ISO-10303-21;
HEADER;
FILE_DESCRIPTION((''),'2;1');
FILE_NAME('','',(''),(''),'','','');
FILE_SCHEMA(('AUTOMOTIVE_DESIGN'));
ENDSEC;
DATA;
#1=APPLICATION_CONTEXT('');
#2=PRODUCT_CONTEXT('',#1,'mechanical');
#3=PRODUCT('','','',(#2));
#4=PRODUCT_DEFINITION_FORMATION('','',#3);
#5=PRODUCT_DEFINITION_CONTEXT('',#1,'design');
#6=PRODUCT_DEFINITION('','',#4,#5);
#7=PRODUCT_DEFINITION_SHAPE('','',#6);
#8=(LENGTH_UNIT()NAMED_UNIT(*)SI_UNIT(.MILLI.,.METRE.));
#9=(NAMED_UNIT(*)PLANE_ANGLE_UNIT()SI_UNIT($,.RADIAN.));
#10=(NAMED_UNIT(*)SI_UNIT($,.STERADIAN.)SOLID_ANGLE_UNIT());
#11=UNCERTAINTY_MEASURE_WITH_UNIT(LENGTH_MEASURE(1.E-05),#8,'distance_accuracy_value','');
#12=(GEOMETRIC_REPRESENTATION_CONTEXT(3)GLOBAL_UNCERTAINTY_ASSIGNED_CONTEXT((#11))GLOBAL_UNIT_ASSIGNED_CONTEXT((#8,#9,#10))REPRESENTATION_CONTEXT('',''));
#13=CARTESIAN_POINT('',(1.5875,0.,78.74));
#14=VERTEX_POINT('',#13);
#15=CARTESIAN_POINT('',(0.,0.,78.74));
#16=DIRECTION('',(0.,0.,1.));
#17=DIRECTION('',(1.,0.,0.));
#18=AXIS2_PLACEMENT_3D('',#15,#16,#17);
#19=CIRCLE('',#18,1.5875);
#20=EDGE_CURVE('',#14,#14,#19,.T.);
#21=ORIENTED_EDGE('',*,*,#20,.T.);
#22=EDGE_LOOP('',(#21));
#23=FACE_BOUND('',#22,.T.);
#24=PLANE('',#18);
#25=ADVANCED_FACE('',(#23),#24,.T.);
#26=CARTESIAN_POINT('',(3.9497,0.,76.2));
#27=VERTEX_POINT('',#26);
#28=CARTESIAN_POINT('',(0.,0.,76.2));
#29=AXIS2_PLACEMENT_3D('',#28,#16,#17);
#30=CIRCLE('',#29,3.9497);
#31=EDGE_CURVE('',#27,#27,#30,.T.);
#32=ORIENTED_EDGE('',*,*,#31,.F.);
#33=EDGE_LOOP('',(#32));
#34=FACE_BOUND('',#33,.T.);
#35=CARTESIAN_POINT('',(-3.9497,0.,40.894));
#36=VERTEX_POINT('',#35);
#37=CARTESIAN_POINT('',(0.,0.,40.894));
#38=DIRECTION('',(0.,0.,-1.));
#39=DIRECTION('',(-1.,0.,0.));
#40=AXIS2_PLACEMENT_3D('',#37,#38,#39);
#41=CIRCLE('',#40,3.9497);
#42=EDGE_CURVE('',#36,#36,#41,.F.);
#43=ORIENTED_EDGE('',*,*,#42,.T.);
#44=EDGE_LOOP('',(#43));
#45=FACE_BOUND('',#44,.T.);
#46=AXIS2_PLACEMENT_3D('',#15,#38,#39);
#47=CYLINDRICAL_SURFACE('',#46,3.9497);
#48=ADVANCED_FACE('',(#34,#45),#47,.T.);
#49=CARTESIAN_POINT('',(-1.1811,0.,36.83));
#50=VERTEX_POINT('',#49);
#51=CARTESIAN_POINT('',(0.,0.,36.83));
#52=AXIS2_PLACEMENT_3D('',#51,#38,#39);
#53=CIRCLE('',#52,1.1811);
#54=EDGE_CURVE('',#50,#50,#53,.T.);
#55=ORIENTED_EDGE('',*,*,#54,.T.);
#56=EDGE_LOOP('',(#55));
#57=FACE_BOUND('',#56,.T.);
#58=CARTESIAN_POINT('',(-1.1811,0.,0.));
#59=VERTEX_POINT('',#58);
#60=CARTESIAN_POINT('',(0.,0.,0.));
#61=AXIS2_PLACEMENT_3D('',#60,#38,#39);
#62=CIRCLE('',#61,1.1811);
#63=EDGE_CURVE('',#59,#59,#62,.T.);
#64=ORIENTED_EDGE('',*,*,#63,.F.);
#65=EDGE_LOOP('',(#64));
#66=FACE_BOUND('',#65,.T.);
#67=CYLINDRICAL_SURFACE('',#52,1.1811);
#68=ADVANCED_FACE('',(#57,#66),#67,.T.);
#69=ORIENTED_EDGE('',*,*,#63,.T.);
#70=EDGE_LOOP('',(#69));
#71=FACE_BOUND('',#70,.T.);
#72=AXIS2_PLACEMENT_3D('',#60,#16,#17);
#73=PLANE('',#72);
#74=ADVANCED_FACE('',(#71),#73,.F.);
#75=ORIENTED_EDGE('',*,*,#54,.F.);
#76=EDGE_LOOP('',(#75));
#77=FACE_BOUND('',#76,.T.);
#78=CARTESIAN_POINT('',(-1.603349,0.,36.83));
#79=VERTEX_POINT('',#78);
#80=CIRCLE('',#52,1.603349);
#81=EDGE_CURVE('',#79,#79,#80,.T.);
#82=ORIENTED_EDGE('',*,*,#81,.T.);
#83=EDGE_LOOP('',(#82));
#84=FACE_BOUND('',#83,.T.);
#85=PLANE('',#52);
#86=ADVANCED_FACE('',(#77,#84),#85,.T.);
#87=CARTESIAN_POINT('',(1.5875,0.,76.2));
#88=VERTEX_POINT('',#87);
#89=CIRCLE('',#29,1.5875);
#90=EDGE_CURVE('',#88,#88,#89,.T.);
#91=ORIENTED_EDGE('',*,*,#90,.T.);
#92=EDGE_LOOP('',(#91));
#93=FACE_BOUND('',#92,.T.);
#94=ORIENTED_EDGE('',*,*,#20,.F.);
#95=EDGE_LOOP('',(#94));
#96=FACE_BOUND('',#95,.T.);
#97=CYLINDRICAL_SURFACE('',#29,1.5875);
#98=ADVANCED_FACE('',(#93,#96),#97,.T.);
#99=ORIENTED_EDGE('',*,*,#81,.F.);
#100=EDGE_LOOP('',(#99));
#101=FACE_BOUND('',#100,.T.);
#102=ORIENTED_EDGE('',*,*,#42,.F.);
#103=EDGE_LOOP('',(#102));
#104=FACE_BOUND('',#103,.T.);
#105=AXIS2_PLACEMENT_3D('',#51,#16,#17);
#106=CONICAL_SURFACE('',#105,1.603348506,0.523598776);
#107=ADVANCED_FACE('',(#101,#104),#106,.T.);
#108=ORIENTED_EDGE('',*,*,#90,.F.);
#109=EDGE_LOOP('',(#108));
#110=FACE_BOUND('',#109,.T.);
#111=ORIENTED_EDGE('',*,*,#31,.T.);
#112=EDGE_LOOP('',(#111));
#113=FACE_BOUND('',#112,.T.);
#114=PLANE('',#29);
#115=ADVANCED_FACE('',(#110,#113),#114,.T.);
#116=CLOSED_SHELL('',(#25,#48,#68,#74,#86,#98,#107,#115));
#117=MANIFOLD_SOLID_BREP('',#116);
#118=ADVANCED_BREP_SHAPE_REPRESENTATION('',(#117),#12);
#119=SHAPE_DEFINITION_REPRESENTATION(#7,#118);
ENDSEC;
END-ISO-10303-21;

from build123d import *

# Parameters (mm, degrees)
SKETCH1_R           = 3.9497
BOSS_EXTRUDE1_DEPTH = 78.74
CUT_EXTRUDE1_START  = -2.54
SKETCH2_R           = 3.9497
SKETCH2_R_2         = 1.5875
CUT_EXTRUDE1_DEPTH  = 2.54
SKETCH4_R           = 3.9497
SKETCH4_R_2         = 1.1811
CUT_EXTRUDE3_DEPTH  = 36.83
CHAMFER1_SIZE       = 4.064
CHAMFER1_SIZE2      = 2.346351494


with BuildPart() as part:
    # Sketch1 → Boss-Extrude1 (new body)
    with BuildSketch(Plane.XY):
        Circle(SKETCH1_R)
    extrude(amount=BOSS_EXTRUDE1_DEPTH)

    # Sketch2 → Cut-Extrude1 (cut)
    with BuildSketch(Plane.XY.offset(78.74).offset(CUT_EXTRUDE1_START)):
        Circle(SKETCH2_R)
        Circle(SKETCH2_R_2, mode=Mode.SUBTRACT)
    extrude(amount=CUT_EXTRUDE1_DEPTH, mode=Mode.SUBTRACT)

    # Sketch4 → Cut-Extrude3 (cut)
    with BuildSketch(Plane(origin=(0, 0, 0), x_dir=(-1, 0, 0), z_dir=(0, 0, -1))):
        Circle(SKETCH4_R)
        Circle(SKETCH4_R_2, mode=Mode.SUBTRACT)
    extrude(amount=-CUT_EXTRUDE3_DEPTH, mode=Mode.SUBTRACT)

    # Chamfer1
    chamfer1_edges = [part.edges().sort_by_distance(p)[0] for p in [
        (-3.9497, 0, 36.83),
    ]]
    chamfer1_side = [part.faces().sort_by_distance(p)[0] for p in [
        (-3.9497, 0, 56.515),
    ]]
    chamfer(chamfer1_edges, length=CHAMFER1_SIZE, length2=CHAMFER1_SIZE2, reference=chamfer1_side[0])


solid = part.part
